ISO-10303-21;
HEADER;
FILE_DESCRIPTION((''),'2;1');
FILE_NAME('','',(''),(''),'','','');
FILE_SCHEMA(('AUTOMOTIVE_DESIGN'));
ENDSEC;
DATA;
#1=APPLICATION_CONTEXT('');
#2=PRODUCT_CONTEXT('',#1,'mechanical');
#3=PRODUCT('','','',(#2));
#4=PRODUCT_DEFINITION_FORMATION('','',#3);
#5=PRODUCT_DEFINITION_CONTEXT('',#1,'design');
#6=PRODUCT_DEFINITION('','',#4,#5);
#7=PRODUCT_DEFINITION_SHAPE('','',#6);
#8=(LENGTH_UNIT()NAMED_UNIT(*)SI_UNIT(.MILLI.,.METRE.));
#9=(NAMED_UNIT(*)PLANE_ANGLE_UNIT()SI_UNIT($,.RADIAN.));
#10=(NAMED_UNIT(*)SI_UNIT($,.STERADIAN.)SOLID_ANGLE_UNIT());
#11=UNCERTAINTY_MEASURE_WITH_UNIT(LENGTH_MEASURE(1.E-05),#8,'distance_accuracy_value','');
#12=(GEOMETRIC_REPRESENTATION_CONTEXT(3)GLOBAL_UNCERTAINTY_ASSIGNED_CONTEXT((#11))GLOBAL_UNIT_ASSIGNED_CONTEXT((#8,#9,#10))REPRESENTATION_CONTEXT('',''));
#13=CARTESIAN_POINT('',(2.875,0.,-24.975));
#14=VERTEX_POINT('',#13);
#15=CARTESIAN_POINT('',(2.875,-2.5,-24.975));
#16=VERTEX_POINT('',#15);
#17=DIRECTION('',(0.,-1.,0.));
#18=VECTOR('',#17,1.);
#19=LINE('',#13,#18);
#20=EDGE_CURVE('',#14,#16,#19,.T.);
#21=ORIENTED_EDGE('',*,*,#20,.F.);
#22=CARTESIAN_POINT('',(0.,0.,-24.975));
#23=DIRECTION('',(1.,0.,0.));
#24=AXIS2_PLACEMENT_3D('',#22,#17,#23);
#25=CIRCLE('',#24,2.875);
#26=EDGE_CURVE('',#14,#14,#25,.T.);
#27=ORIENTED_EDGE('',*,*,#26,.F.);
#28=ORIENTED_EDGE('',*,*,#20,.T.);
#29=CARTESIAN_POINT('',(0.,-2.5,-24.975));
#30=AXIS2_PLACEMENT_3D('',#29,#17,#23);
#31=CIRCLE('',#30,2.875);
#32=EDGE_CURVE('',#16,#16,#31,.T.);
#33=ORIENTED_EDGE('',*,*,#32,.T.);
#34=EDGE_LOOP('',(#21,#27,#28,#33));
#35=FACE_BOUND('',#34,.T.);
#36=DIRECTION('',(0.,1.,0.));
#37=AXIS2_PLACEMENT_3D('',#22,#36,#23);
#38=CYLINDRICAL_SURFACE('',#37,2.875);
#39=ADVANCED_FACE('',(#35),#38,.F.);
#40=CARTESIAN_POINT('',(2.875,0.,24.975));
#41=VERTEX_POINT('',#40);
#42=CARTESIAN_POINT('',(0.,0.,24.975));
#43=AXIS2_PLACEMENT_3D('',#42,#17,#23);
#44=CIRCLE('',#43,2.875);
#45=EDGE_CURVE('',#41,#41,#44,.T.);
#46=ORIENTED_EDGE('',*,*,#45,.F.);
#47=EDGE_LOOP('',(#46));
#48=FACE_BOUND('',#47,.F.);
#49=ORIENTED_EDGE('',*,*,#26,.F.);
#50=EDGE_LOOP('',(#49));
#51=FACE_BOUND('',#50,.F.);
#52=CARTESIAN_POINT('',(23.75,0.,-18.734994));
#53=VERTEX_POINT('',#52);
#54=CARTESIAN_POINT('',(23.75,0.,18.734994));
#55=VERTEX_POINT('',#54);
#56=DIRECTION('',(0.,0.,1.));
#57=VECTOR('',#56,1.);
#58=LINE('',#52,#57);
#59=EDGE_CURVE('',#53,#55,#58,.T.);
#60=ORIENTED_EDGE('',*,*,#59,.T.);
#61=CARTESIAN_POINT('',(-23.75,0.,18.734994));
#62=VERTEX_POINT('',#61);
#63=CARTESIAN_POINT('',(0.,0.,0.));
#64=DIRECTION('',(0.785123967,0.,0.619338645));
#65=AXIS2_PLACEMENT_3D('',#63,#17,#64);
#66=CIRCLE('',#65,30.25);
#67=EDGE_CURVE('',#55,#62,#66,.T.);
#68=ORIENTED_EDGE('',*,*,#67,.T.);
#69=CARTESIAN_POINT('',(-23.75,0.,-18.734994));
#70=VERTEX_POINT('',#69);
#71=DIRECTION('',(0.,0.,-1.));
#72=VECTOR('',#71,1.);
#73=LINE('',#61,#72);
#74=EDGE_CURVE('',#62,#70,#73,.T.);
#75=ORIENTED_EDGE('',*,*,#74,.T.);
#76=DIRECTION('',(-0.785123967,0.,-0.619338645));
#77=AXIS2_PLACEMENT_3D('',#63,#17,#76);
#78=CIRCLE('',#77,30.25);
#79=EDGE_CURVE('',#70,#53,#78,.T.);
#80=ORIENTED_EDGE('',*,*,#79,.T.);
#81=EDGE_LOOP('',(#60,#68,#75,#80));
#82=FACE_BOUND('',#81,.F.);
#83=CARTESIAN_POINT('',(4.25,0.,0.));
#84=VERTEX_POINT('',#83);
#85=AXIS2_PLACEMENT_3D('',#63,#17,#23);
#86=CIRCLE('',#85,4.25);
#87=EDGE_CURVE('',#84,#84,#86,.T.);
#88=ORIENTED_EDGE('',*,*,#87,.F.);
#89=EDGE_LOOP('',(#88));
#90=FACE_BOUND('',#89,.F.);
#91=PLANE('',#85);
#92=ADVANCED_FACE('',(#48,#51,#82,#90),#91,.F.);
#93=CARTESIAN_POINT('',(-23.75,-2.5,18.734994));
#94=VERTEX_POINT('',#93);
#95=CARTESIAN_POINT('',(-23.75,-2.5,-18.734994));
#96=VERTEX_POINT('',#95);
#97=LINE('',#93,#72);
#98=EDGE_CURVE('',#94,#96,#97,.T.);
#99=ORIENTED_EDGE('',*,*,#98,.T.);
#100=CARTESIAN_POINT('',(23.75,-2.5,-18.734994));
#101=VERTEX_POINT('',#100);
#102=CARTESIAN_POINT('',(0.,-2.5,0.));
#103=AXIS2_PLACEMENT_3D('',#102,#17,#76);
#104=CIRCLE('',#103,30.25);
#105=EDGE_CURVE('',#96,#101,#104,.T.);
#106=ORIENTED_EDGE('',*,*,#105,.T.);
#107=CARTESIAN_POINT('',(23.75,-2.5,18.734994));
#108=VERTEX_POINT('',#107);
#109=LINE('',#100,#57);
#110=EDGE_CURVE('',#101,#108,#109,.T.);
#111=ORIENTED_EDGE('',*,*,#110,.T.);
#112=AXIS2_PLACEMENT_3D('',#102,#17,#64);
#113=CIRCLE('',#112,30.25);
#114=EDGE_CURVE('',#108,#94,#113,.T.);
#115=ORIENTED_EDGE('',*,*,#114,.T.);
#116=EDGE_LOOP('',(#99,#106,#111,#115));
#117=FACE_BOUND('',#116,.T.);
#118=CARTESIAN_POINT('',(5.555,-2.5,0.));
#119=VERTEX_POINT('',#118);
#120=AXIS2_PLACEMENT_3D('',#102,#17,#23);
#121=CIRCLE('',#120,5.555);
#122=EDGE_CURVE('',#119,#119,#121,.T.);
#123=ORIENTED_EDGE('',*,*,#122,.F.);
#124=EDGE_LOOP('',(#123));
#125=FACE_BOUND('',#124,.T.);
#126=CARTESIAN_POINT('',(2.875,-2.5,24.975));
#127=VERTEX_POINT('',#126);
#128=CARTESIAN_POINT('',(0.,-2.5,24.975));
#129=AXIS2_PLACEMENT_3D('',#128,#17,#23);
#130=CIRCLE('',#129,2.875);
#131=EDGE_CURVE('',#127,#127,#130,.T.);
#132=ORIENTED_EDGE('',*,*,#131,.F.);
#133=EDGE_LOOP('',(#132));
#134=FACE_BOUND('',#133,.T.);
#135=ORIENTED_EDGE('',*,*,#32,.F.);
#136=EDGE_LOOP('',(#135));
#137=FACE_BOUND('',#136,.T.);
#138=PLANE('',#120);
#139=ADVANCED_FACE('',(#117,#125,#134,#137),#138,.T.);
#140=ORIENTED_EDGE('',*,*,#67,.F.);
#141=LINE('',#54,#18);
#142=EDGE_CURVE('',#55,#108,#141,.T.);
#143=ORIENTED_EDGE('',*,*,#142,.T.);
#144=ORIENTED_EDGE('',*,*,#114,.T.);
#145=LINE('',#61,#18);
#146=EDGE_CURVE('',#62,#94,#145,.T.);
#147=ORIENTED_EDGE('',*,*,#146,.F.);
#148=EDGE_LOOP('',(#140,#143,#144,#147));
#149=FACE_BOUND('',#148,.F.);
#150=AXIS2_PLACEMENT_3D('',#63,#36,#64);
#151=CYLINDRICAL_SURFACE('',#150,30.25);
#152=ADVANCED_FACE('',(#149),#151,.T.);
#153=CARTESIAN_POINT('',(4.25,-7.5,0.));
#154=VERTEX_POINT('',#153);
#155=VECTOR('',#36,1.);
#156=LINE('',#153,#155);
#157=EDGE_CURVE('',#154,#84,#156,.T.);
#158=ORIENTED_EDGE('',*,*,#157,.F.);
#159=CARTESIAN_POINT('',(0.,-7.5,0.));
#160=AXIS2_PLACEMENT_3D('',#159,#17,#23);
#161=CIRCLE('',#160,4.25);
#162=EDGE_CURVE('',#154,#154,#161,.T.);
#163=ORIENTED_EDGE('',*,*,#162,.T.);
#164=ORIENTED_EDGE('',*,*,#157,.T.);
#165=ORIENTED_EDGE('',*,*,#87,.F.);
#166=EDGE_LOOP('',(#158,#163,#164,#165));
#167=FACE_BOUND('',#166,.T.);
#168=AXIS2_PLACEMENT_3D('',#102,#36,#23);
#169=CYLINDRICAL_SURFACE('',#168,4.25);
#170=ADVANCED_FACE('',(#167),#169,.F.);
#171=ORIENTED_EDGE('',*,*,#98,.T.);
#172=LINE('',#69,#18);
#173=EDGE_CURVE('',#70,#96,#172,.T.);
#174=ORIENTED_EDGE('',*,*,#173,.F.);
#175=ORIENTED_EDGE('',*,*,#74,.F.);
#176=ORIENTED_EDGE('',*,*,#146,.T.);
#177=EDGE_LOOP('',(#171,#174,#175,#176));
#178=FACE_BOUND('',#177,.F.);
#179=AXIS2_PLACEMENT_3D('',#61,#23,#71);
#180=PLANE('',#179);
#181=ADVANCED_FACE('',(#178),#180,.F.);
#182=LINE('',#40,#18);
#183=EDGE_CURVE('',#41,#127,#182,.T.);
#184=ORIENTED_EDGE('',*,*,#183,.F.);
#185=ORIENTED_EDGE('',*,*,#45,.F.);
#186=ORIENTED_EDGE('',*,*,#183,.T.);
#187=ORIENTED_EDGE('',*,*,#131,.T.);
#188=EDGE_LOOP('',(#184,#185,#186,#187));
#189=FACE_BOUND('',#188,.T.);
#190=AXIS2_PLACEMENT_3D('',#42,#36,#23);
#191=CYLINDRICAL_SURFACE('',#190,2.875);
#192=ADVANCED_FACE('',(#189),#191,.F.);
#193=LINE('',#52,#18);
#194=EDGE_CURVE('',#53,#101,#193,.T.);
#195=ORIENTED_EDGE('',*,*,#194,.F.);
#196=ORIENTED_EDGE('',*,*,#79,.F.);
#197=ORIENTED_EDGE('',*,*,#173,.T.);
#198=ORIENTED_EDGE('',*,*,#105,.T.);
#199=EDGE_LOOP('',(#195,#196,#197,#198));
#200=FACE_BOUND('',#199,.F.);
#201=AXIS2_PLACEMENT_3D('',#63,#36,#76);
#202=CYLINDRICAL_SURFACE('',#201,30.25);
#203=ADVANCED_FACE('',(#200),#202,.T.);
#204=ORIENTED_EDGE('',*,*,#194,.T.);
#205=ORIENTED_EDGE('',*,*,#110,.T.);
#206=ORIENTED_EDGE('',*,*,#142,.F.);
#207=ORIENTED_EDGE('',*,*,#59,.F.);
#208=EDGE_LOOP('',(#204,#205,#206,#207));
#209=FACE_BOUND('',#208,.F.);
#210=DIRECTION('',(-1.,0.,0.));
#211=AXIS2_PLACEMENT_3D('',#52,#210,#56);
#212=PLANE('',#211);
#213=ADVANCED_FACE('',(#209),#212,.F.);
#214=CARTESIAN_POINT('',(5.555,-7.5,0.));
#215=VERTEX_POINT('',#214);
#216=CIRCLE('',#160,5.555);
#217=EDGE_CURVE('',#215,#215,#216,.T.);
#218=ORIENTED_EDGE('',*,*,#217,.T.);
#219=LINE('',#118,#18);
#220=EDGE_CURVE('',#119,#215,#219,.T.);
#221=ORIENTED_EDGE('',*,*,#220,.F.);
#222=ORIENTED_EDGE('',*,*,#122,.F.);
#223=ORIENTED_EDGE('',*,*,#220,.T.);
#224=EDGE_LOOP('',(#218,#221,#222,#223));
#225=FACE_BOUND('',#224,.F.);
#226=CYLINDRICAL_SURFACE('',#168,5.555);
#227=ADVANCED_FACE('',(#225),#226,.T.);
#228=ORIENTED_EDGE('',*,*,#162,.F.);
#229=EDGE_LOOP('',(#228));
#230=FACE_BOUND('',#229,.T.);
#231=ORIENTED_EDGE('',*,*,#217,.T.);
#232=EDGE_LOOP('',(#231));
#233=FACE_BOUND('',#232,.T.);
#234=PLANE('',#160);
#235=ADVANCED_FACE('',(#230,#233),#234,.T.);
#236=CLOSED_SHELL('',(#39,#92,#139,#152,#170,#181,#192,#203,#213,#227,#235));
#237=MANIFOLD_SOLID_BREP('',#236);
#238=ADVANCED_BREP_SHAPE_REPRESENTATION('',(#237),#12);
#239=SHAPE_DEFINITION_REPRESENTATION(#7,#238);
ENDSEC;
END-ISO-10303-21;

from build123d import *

# Parameters (mm, degrees)
F0_R     = 2.875
F0_R_2   = 4.25
F1_DEPTH = 2.5
F2_R     = 5.555
F2_R_2   = 4.25
F3_DEPTH = 5


with BuildPart() as f1:
    # F0 (on Front) → F1 (new body)
    with BuildSketch(Plane.XZ):
        with BuildLine():
            Line((23.75, -18.734994), (23.75, 18.734994))
            ThreePointArc((23.75, 18.734994), (0, 30.25), (-23.75, 18.734994))
            Line((-23.75, 18.734994), (-23.75, -18.734994))
            ThreePointArc((-23.75, -18.734994), (0, -30.25), (23.75, -18.734994))
        make_face()
        with Locations((0, -24.975)):
            Circle(F0_R, mode=Mode.SUBTRACT)
        Circle(F0_R_2, mode=Mode.SUBTRACT)
        with Locations((0, 24.975)):
            Circle(F0_R, mode=Mode.SUBTRACT)
    extrude(amount=F1_DEPTH)

    # F2 (on face) → F3 (join)
    with BuildSketch(Plane.XZ.offset(2.5)):
        Circle(F2_R)
        Circle(F2_R_2, mode=Mode.SUBTRACT)
    extrude(amount=F3_DEPTH)


solid = f1.part
